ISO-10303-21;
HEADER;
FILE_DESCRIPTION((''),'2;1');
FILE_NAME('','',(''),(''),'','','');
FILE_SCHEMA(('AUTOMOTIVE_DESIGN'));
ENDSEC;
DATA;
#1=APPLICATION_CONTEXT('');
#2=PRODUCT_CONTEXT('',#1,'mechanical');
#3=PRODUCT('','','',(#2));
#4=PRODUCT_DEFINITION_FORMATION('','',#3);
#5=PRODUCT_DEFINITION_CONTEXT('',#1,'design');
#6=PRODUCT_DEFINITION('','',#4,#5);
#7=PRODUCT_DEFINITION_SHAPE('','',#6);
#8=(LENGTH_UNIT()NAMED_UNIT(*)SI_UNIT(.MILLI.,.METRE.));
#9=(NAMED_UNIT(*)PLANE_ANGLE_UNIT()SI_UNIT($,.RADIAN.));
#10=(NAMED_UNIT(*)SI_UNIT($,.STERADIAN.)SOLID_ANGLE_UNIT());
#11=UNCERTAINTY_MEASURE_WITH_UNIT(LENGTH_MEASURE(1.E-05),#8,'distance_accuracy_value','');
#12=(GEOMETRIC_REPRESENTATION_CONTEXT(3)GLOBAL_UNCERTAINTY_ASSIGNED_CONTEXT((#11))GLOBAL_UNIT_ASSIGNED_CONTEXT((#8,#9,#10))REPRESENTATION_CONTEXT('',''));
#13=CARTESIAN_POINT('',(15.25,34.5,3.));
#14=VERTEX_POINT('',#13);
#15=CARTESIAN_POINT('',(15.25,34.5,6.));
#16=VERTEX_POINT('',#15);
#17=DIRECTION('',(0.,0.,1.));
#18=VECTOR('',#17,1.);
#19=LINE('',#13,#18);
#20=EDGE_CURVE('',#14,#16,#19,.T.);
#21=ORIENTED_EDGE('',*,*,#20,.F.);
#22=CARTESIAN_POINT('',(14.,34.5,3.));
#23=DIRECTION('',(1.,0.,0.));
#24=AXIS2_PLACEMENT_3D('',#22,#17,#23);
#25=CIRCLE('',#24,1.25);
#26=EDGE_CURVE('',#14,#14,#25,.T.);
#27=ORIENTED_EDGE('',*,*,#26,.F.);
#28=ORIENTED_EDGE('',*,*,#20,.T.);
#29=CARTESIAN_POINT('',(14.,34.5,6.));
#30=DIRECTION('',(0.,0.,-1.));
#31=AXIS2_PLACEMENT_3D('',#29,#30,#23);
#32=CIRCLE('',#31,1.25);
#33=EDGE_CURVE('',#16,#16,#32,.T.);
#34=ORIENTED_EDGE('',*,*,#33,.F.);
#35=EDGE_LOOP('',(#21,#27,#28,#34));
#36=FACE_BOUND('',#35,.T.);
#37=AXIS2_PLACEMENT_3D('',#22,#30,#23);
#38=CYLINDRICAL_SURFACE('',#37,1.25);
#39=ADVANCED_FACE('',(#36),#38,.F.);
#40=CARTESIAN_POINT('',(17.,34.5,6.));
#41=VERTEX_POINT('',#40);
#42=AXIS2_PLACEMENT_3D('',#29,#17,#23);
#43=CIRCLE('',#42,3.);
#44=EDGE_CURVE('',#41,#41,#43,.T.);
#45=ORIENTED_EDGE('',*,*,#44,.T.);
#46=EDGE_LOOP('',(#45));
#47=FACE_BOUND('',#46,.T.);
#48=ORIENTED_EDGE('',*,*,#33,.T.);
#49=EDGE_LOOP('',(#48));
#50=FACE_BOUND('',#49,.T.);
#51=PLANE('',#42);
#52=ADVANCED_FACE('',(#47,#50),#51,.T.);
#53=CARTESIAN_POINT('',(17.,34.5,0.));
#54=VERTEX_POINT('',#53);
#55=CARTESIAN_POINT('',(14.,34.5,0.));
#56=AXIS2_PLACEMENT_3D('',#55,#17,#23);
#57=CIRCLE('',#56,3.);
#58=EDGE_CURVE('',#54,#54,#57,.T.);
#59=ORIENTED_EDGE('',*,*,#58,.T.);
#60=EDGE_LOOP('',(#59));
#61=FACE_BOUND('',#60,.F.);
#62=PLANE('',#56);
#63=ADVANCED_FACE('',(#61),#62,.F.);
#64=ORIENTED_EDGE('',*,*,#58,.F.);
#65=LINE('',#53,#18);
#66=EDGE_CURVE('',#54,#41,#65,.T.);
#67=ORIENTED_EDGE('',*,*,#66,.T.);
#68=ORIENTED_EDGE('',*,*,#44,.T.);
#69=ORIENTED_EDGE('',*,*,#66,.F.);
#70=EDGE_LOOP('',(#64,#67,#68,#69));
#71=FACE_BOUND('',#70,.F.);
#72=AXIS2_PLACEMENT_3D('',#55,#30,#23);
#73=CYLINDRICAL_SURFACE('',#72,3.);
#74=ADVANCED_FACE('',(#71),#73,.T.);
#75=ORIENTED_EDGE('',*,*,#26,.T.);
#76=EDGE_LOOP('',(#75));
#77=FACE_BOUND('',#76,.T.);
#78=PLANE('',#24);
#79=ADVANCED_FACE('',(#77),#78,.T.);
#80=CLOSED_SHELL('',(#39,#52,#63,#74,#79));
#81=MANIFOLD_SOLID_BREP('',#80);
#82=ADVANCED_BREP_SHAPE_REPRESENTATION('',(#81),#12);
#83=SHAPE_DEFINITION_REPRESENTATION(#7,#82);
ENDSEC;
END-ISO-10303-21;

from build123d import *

# Parameters (mm, degrees)
CYLINDER021_R     = 1.25
CYLINDER021_DEPTH = 5
CYLINDER020_R     = 3
CYLINDER020_DEPTH = 6


with BuildPart() as b_sw008:
    # Cylinder021 → Cylinder021 (new body)
    with BuildSketch(Plane(origin=(59, 14, 3), x_dir=(1, 0, 0), z_dir=(0, 0, 1))):
        Circle(CYLINDER021_R)
    extrude(amount=CYLINDER021_DEPTH)


with BuildPart() as h_cut008:
    # Cylinder020 → Cylinder020 (new body)
    with BuildSketch(Plane(origin=(59, 14, 0), x_dir=(1, 0, 0), z_dir=(0, 0, 1))):
        Circle(CYLINDER020_R)
    extrude(amount=CYLINDER020_DEPTH)

    # Cut008: cut B_SW008
    add(b_sw008.part, mode=Mode.SUBTRACT)


with BuildPart() as h_cut008_1:
    # Cut008 placement: moved
    add(h_cut008.part.moved(Location((-45, 20.5, 0))))


solid = h_cut008_1.part
